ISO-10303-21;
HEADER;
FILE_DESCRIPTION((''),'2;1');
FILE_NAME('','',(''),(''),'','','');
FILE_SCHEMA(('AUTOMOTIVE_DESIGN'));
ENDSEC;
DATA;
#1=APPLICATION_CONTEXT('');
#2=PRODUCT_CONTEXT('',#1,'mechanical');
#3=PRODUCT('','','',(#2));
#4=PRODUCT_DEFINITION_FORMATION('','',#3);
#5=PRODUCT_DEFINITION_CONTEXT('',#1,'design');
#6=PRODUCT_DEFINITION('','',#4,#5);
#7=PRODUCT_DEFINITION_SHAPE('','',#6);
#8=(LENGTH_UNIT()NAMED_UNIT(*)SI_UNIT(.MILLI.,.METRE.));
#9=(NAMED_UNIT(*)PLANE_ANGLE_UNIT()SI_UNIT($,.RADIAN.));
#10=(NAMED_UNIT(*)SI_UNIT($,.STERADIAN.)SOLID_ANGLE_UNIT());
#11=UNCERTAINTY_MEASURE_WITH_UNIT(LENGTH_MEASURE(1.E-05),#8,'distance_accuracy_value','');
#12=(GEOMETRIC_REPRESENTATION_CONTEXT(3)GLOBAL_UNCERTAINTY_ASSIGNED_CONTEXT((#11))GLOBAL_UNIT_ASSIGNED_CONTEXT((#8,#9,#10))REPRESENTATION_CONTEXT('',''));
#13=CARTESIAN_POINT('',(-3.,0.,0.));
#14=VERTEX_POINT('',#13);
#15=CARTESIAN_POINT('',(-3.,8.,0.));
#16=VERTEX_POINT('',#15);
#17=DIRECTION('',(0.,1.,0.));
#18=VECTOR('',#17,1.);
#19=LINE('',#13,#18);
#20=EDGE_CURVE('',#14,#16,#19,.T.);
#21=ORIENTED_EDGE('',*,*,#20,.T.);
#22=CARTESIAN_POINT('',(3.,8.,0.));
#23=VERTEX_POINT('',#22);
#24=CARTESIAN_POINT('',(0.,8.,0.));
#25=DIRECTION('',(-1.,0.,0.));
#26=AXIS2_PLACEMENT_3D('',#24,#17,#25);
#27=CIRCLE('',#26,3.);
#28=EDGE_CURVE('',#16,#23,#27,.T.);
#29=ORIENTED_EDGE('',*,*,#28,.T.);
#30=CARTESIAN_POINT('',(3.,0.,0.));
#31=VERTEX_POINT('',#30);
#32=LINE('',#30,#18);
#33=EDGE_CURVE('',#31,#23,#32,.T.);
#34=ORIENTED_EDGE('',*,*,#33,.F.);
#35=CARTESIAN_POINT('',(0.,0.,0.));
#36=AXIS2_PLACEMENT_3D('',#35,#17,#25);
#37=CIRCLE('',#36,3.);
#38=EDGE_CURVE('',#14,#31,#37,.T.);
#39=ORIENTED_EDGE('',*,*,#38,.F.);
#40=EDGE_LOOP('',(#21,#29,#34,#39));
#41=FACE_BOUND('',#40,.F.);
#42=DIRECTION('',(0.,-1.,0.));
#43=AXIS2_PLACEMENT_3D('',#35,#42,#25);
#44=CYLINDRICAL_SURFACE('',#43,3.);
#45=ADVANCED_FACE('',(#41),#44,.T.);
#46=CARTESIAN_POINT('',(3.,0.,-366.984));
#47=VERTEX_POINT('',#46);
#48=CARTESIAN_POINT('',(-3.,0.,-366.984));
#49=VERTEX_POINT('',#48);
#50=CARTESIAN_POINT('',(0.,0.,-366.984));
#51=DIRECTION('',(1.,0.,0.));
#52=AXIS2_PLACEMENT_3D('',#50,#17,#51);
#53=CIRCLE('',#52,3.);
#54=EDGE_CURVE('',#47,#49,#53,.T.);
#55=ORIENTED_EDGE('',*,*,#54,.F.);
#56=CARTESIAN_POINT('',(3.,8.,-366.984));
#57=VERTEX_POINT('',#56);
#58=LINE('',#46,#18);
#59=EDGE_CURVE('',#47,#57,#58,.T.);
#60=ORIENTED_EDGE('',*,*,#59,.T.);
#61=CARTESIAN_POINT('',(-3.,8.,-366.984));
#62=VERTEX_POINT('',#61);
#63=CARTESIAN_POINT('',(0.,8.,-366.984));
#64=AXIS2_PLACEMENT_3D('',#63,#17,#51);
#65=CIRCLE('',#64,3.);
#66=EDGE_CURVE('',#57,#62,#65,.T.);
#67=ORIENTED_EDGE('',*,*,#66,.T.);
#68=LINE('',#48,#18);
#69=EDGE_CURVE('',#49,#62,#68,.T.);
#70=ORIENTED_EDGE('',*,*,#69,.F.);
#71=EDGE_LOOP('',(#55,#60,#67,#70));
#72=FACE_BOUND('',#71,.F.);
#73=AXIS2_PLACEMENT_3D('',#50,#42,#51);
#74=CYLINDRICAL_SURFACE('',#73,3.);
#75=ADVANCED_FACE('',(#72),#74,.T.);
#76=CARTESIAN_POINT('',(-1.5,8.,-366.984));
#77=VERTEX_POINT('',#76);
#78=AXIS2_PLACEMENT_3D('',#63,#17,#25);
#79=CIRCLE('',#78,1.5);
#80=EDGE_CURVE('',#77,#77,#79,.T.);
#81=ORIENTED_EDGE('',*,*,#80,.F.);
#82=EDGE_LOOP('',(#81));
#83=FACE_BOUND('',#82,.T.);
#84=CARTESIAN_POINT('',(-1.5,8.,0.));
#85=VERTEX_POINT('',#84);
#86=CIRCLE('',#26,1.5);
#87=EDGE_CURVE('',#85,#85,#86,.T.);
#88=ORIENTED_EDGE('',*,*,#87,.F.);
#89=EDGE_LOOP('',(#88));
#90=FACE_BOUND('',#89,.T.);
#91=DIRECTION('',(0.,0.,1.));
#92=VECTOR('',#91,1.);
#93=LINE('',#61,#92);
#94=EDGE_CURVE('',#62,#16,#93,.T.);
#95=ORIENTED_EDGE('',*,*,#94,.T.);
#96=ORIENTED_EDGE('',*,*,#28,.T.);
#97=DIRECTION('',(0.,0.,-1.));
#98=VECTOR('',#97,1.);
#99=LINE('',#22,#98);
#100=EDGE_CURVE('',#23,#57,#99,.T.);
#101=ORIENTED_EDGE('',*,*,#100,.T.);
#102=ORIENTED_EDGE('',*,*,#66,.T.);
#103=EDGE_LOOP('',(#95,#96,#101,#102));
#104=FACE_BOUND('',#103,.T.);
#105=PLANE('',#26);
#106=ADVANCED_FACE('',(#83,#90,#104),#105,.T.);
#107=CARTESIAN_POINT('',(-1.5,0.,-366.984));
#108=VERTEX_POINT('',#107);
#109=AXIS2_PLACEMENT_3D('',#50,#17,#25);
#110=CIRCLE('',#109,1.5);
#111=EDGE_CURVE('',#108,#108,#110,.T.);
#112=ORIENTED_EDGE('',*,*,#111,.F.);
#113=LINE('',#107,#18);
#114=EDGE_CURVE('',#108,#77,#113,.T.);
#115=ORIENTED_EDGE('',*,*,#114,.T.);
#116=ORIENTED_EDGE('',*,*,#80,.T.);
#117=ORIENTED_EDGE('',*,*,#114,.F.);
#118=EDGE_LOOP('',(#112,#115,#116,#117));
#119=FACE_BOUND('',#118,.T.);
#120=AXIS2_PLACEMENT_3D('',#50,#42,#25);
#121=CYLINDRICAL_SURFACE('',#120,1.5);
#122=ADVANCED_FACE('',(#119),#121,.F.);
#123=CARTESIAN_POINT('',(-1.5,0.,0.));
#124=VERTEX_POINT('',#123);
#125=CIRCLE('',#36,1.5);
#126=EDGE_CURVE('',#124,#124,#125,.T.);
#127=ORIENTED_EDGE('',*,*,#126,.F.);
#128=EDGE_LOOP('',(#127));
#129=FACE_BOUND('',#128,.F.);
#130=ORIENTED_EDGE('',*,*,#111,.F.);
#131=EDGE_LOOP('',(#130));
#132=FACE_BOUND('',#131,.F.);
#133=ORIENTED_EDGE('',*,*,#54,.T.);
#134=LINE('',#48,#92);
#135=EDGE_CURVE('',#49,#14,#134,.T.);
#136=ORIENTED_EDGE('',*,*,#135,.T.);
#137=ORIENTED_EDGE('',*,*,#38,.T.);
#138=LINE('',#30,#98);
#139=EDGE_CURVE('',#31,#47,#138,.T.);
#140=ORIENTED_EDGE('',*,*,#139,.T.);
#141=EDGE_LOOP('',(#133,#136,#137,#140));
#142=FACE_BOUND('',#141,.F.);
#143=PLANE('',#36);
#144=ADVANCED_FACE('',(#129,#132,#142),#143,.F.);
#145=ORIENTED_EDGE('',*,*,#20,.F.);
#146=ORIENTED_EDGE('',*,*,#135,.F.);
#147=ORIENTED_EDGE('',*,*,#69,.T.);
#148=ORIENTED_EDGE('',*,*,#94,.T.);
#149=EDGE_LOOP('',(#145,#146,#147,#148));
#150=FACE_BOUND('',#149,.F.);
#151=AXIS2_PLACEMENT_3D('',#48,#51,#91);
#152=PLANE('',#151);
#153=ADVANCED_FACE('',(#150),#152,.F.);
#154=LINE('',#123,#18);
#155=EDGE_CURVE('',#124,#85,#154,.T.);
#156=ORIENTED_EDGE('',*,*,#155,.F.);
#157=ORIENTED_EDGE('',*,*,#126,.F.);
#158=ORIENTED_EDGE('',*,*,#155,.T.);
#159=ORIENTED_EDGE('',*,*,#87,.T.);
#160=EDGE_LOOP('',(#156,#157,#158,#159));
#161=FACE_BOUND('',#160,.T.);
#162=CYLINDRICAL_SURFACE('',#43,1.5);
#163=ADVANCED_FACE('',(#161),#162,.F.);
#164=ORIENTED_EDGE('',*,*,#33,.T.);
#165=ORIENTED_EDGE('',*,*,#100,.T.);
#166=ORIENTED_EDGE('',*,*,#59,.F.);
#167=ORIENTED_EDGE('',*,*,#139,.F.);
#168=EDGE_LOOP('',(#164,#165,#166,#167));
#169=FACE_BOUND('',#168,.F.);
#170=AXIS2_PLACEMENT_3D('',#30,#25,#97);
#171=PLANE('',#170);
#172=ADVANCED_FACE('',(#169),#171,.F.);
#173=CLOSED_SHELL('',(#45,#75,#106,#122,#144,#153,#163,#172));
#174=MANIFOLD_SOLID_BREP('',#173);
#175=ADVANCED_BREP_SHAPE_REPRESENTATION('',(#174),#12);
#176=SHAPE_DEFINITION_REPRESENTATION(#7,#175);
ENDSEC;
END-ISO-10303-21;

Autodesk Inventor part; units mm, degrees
ref_plane "YZ Plane" through (0, 0, 0) normal (1, 0, 0) x (0, 1, 0)
ref_plane "XZ Plane" through (0, 0, 0) normal (0, 1, 0) x (-1, 0, 0)
ref_plane "XY Plane" through (0, 0, 0) normal (0, 0, 1) x (1, 0, 0)
sketch "Sketch1" plane through (0, 0, 0) normal (0, 1, 0) x (-1, 0, 0)
  line L0 (0, 0) -> (0, -366.984) construction
  line L1 (-3, 0) -> (-3, -366.984)
  line L2 (3, -366.984) -> (3, 0)
  arc A0 (3, 0) -> (-3, 0) centre (0, 0) ccw
  arc A1 (-3, -366.984) -> (3, -366.984) centre (0, -366.984) ccw
  circle A2 centre (0, 0) radius 1.5
  circle A3 centre (0, -366.984) radius 1.5
  point P0 (0, -183.492)
  dimension "d0" = 6
  dimension "d1" = 366.984
  dimension "d2" = 3
  dimension "d3" = 3
extrude "Extrusion1" add sketch "Sketch1" along normal blind 8
